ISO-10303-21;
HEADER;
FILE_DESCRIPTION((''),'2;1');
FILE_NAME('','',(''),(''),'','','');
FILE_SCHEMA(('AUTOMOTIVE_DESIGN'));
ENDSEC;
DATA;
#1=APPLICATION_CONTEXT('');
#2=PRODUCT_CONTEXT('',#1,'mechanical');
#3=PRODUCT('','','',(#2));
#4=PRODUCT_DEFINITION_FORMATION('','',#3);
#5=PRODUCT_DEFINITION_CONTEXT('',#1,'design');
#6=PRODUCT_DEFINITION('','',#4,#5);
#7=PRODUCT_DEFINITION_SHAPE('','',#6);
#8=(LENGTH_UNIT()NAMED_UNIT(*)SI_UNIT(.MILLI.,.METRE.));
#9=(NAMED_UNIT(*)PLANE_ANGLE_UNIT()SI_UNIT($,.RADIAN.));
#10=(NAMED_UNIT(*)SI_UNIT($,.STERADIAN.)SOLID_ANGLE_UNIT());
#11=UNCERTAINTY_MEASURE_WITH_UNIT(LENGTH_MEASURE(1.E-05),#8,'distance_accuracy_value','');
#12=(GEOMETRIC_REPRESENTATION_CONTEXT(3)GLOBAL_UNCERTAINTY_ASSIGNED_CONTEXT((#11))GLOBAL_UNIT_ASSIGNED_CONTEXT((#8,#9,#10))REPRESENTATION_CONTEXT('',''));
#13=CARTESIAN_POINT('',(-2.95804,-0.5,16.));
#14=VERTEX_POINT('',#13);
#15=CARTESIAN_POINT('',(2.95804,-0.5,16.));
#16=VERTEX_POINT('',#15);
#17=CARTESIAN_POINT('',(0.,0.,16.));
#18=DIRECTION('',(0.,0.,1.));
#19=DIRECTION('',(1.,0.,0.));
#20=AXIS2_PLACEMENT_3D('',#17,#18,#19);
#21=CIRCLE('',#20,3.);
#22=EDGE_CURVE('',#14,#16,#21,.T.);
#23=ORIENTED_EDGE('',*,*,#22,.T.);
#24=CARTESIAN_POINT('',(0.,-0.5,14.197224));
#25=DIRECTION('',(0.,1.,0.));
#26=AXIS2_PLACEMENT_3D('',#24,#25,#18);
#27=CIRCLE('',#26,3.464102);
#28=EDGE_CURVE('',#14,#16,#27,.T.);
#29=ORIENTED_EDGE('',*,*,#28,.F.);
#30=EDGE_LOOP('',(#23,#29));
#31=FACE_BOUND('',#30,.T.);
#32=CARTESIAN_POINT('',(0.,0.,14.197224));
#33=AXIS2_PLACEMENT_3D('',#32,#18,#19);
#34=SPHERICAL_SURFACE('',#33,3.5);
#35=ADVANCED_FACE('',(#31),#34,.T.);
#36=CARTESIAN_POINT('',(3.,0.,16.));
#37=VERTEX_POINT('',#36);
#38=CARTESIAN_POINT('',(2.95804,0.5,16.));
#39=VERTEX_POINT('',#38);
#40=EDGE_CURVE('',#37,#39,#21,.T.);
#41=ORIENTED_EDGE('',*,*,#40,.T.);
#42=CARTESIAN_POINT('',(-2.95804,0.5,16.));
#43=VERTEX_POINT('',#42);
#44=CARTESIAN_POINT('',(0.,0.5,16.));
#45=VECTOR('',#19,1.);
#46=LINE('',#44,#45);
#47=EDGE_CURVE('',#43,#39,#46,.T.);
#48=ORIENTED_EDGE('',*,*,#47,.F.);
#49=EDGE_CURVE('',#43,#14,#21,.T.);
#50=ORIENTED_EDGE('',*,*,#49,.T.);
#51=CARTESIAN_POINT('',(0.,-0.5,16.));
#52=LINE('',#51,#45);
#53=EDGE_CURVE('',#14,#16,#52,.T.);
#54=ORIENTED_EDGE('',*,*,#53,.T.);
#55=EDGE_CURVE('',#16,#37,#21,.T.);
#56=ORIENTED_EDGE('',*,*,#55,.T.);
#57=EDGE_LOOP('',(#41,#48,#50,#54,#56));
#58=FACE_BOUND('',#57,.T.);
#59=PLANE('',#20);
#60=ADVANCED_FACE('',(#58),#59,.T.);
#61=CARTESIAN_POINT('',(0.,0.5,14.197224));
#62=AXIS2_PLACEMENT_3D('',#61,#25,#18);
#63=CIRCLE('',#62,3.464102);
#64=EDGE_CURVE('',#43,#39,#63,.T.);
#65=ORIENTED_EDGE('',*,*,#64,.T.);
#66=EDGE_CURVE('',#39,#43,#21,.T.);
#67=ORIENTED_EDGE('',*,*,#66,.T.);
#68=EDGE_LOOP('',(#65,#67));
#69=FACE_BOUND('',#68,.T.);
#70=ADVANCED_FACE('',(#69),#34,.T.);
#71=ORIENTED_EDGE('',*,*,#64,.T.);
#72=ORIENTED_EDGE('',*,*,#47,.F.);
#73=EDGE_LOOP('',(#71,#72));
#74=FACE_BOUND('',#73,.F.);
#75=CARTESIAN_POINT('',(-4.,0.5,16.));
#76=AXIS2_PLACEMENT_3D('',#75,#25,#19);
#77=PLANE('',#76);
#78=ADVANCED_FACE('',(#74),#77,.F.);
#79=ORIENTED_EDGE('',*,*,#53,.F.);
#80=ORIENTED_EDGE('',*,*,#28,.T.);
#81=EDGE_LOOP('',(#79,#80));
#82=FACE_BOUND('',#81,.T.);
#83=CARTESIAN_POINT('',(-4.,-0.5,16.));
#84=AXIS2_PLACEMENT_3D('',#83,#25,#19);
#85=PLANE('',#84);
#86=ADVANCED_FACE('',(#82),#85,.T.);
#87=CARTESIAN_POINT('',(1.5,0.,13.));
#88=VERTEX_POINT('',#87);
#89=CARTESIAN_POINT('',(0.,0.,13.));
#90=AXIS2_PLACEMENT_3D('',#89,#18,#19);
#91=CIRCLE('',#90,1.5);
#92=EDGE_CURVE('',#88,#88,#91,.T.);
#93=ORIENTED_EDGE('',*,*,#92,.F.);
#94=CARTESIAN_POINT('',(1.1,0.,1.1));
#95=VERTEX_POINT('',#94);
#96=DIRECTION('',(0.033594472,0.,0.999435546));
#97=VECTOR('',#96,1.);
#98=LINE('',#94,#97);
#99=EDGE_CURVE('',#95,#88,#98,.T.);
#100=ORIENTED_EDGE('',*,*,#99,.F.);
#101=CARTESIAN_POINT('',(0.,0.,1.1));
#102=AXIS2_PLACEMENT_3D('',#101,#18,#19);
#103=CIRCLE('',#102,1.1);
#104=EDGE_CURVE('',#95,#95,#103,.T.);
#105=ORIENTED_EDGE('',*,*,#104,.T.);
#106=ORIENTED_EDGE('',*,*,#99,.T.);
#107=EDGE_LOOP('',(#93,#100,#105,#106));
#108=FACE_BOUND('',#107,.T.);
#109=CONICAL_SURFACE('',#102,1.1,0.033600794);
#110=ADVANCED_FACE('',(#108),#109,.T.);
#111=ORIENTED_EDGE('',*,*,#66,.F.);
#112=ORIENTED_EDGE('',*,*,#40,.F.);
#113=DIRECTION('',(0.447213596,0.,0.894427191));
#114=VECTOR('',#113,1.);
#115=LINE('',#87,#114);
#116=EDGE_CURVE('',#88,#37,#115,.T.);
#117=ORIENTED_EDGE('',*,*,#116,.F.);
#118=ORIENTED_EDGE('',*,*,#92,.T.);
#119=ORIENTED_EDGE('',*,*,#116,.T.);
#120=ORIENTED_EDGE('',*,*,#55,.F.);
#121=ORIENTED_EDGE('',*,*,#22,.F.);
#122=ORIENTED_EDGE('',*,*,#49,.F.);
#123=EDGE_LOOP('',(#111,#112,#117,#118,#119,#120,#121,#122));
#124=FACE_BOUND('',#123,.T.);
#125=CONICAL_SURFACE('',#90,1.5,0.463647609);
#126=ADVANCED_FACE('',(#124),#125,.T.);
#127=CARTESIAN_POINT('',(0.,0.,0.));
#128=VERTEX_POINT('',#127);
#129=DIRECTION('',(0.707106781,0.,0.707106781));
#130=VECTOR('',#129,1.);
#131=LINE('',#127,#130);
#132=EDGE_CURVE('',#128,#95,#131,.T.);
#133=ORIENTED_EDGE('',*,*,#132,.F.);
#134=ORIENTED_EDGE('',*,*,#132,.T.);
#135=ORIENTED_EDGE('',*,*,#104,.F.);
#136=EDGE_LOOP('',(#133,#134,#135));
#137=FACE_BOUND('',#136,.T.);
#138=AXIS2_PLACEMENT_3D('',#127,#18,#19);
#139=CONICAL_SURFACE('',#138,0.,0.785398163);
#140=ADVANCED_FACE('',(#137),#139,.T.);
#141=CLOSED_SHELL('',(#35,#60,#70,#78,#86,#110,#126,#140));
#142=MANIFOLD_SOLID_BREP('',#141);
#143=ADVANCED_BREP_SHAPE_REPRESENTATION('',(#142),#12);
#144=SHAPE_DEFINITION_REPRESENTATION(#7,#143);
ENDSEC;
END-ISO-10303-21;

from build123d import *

# Parameters (mm, degrees)
F3_W     = 8
F3_H     = 1
F4_DEPTH = 2.4


with BuildPart() as f1:
    # F0 (on Front) → F1 (revolve)
    with BuildSketch(Plane.XZ):
        with BuildLine():
            Line((0, 17.697224), (0, 0))
            Line((0, 0), (1.1, 1.1))
            Line((1.1, 1.1), (1.5, 13))
            Line((1.5, 13), (3, 16))
            ThreePointArc((3, 16), (1.72341, 17.24351), (0, 17.697224))
        make_face()
    revolve(axis=Axis((0, 0, 8.848612), (0, 0, 1)))

    # F3 (on offset) → F4 (cut)
    with BuildSketch(Plane.XY.offset(16)):
        Rectangle(F3_W, F3_H)
    extrude(amount=F4_DEPTH, mode=Mode.SUBTRACT)


solid = f1.part
